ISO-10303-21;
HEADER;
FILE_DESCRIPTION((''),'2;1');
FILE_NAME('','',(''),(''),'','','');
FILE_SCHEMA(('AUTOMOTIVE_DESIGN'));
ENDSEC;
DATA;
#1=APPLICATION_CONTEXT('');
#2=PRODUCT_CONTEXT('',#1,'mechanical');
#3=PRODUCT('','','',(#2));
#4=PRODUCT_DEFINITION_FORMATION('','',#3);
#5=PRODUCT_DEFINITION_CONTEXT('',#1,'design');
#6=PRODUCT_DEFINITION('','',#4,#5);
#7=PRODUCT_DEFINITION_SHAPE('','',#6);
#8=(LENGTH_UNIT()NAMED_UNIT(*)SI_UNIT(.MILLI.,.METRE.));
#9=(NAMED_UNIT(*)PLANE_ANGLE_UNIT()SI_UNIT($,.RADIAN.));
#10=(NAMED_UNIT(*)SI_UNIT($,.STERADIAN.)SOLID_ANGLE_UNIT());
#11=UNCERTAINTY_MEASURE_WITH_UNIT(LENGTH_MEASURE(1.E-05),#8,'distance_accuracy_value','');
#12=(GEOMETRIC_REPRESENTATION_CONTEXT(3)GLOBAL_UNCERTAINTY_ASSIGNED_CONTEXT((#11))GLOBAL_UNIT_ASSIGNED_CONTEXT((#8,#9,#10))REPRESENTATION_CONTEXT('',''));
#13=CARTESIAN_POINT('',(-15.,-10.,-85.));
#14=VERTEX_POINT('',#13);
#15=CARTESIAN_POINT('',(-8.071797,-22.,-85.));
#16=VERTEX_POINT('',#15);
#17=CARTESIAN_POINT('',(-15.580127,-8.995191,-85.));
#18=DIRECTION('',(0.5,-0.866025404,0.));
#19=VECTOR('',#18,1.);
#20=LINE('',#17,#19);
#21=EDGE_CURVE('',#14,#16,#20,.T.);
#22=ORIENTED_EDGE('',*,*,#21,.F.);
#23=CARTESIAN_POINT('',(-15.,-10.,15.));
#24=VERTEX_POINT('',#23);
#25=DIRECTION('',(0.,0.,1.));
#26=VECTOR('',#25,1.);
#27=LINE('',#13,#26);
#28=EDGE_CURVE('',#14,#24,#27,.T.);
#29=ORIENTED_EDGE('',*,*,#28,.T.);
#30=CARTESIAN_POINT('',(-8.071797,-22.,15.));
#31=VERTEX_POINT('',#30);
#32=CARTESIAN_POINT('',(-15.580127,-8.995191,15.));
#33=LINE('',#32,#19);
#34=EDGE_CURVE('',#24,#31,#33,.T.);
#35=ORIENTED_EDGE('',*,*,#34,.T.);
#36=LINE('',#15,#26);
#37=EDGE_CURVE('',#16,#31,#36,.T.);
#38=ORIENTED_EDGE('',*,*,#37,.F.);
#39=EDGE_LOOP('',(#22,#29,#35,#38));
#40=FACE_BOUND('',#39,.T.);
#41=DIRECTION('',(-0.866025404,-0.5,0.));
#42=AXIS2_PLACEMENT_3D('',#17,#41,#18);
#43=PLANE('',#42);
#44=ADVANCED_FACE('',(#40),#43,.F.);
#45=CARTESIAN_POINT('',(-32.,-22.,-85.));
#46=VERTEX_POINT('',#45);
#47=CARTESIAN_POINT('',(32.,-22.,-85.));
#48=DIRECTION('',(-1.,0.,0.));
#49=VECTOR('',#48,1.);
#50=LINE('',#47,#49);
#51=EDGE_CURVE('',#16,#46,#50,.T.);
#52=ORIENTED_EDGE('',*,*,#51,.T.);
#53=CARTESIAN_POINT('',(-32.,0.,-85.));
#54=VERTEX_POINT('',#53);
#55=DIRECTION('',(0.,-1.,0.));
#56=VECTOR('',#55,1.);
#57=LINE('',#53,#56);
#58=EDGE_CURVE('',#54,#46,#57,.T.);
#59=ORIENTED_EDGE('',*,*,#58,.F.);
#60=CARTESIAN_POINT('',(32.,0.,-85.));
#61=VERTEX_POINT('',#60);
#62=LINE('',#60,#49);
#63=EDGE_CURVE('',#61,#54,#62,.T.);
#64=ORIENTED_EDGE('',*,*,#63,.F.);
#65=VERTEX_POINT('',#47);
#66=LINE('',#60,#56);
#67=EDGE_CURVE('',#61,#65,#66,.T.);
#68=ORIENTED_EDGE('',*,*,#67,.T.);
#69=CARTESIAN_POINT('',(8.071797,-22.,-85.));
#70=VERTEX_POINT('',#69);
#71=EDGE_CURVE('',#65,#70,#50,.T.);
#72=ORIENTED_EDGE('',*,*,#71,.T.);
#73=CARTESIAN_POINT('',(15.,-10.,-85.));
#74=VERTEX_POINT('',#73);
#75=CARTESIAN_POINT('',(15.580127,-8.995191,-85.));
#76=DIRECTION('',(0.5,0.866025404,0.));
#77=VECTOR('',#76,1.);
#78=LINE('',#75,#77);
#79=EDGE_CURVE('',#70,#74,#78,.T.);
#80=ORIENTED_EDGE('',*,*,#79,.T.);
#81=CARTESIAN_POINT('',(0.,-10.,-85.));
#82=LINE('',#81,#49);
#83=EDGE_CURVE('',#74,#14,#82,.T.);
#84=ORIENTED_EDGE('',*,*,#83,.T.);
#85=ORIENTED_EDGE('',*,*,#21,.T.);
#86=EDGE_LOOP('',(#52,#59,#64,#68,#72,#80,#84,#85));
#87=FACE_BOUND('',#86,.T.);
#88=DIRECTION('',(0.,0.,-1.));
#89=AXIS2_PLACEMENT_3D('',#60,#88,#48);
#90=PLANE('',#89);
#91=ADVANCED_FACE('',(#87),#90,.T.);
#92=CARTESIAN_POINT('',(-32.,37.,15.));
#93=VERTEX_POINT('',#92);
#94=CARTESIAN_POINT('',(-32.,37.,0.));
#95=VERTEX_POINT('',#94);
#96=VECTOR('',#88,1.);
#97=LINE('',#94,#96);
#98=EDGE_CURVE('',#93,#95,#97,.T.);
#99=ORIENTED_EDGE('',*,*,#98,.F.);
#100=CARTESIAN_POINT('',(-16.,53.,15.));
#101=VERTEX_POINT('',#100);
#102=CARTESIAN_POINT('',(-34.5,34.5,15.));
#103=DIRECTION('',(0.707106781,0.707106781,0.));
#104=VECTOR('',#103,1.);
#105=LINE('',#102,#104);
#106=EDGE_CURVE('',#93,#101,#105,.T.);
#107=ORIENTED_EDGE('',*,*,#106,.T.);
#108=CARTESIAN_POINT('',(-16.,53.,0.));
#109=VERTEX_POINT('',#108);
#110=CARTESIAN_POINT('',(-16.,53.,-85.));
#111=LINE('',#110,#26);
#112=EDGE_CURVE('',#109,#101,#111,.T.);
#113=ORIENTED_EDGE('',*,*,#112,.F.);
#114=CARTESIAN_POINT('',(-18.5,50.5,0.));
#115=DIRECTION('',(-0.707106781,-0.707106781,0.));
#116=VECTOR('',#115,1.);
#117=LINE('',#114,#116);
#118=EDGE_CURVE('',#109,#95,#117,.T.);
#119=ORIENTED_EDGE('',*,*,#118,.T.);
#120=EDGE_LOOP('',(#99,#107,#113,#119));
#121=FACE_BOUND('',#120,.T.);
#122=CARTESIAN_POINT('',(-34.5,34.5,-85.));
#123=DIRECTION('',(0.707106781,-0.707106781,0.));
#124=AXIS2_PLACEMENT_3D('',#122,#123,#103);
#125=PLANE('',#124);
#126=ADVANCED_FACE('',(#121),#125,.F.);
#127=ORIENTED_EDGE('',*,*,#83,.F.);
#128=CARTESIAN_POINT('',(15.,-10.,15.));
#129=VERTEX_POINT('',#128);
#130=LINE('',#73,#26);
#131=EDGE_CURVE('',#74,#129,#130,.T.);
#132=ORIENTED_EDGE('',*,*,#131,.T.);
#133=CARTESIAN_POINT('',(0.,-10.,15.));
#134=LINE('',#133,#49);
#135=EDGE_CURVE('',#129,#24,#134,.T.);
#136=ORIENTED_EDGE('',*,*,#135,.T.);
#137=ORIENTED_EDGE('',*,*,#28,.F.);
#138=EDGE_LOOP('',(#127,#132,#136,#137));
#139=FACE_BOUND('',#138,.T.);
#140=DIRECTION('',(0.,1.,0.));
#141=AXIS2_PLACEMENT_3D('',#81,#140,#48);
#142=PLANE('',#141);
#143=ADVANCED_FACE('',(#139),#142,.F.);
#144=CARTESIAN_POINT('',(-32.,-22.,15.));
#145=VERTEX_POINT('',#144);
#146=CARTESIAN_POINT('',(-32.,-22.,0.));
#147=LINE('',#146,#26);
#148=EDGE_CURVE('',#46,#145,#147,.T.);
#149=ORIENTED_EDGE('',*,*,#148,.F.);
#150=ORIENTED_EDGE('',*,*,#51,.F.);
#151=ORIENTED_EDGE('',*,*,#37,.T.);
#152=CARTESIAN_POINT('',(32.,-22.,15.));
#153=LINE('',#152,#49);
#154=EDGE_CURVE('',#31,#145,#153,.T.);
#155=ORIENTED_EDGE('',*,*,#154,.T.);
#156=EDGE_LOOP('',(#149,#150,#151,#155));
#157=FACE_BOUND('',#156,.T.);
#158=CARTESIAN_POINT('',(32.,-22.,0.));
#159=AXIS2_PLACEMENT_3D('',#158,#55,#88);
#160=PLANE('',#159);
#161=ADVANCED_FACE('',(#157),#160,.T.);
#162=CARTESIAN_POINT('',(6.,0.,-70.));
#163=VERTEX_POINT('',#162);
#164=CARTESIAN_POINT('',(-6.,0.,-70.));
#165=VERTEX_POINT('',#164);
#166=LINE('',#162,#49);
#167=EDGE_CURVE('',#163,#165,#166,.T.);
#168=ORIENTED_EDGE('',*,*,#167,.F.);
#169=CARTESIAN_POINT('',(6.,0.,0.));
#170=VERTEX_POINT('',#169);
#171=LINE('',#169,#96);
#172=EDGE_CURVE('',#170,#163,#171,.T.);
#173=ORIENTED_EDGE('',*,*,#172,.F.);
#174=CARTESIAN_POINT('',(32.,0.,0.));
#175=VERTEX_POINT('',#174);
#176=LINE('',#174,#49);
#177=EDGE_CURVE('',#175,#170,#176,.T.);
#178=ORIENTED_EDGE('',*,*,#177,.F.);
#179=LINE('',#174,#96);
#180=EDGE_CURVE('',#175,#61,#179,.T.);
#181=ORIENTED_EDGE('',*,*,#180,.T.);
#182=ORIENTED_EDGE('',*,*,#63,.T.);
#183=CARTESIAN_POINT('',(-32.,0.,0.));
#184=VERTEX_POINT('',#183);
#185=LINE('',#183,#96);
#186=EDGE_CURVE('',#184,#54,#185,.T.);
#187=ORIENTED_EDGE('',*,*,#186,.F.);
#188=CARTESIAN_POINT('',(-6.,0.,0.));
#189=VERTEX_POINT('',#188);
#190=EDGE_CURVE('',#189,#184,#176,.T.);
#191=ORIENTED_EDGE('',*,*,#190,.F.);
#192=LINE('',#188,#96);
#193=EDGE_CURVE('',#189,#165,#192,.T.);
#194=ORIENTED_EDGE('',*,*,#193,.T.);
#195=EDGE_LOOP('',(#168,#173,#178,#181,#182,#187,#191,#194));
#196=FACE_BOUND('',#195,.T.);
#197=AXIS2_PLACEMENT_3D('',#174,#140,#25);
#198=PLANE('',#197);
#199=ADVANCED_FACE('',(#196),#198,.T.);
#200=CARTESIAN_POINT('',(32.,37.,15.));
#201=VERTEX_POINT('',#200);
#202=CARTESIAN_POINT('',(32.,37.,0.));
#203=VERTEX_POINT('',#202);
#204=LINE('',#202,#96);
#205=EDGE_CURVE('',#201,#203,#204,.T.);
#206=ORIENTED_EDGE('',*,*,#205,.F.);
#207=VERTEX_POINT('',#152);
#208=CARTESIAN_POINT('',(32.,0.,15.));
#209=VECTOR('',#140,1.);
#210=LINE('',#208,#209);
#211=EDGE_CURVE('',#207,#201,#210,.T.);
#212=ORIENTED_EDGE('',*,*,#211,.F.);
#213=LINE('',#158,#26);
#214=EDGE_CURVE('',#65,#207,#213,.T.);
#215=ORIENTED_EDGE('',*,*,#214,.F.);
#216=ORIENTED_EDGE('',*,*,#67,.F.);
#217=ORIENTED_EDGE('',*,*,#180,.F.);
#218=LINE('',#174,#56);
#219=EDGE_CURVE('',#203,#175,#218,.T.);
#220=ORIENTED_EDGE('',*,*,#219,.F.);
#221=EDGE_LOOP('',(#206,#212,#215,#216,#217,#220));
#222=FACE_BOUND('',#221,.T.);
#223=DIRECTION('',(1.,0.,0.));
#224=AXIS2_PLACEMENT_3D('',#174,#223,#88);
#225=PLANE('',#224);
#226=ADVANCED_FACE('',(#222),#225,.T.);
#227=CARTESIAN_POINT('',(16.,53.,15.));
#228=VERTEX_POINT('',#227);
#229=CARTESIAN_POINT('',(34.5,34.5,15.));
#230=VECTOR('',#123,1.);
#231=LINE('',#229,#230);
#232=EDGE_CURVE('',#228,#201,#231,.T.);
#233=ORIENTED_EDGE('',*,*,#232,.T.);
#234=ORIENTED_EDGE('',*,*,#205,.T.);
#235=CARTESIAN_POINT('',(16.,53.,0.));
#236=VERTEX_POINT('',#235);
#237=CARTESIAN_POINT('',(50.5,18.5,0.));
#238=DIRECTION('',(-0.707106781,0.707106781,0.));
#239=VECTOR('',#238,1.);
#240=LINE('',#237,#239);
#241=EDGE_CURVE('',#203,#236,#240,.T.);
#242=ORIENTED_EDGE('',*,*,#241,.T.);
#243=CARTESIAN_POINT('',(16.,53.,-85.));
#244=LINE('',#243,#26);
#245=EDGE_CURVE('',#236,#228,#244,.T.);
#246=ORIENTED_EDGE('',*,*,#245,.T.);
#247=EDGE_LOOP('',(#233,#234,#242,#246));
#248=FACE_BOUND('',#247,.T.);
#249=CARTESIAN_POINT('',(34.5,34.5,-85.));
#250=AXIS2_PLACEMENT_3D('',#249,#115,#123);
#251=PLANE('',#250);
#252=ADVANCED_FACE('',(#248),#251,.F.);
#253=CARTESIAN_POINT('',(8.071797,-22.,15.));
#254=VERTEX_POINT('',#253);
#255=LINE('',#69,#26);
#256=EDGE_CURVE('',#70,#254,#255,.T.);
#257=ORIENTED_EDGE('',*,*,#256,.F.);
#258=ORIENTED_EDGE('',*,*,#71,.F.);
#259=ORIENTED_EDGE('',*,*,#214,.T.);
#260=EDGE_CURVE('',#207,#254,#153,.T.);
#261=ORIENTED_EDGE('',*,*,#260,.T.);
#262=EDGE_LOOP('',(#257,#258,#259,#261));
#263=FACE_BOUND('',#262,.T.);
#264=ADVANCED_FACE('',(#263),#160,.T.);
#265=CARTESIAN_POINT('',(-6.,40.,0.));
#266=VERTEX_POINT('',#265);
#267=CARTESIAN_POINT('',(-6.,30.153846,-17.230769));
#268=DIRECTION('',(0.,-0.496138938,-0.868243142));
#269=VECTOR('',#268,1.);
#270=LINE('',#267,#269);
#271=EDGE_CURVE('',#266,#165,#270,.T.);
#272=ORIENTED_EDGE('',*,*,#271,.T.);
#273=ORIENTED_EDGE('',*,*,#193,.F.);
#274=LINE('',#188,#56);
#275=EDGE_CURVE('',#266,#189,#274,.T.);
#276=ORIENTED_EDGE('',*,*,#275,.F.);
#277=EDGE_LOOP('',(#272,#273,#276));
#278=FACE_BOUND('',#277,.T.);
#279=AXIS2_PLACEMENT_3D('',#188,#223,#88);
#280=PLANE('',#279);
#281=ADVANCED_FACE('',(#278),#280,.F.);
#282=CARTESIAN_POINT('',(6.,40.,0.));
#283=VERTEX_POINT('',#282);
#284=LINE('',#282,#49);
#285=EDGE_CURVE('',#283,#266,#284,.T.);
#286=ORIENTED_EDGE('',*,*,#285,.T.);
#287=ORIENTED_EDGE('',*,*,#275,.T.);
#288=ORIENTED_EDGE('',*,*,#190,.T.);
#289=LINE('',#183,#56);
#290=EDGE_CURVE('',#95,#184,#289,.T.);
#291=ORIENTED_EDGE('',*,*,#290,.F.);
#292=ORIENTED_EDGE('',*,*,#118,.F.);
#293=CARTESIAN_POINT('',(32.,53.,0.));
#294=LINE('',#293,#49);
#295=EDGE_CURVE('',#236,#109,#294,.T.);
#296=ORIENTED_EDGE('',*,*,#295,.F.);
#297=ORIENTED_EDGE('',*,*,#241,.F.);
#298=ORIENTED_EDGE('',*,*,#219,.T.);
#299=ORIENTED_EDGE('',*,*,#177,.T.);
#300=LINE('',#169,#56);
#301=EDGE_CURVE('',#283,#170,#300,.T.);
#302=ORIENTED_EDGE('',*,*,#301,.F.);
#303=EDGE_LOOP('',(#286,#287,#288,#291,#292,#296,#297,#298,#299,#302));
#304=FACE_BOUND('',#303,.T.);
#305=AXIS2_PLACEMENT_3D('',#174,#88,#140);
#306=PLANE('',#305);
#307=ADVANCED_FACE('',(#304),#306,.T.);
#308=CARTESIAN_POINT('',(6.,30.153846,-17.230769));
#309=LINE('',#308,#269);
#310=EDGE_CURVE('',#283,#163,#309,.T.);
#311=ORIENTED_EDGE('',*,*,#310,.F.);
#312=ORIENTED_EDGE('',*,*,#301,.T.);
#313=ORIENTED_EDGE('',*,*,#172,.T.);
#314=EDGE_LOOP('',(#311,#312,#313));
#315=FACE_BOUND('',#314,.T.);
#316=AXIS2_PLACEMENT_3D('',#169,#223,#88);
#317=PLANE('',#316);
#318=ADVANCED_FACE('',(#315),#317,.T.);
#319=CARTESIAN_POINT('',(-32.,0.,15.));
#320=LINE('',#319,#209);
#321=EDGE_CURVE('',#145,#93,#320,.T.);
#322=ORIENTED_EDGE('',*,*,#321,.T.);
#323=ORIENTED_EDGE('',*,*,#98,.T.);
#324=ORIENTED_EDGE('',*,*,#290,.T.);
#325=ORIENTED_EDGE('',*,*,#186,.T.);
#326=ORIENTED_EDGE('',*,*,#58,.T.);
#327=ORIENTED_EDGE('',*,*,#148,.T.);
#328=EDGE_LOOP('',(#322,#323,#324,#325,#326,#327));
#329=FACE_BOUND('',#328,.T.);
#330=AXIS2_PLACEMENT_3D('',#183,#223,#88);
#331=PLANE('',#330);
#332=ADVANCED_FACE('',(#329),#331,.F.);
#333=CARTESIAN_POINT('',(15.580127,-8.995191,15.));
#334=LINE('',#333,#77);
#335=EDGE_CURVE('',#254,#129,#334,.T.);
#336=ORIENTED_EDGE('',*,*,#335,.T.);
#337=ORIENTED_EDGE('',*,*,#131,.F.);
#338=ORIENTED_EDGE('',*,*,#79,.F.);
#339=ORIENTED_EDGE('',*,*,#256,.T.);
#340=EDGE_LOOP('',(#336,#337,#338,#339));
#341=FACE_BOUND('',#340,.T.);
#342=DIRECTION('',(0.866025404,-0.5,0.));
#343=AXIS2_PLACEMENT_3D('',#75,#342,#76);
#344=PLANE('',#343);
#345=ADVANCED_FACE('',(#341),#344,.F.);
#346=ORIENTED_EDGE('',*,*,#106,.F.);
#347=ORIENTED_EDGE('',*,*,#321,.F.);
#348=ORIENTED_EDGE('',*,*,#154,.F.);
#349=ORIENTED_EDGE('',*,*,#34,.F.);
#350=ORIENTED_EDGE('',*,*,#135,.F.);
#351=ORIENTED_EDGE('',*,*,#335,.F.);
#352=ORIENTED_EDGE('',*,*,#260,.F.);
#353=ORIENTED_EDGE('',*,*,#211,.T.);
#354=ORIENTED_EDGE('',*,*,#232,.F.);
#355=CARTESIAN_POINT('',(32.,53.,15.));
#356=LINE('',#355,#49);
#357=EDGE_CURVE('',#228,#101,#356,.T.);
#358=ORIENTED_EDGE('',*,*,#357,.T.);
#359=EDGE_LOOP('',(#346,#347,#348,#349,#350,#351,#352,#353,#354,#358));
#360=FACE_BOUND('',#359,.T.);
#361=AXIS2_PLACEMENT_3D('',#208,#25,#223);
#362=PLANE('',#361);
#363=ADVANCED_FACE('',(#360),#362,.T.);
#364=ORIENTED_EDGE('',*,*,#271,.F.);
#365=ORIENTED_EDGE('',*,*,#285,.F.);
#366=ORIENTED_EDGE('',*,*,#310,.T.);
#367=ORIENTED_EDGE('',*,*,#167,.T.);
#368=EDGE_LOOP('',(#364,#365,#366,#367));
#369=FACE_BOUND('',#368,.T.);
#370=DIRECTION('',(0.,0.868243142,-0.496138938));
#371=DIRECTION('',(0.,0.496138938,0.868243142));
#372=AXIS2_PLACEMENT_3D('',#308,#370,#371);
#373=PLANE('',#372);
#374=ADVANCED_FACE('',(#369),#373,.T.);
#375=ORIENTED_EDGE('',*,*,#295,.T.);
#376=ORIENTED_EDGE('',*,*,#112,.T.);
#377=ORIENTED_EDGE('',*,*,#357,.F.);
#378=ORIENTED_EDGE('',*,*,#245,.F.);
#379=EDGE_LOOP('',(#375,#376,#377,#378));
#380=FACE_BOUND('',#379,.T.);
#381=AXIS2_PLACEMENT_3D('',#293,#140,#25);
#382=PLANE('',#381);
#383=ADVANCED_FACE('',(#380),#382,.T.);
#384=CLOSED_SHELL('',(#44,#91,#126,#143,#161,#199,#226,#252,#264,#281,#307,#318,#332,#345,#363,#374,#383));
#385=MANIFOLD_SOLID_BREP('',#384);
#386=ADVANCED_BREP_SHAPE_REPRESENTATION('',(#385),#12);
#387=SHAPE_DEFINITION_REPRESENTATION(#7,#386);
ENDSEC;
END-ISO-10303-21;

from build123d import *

# Parameters (mm, degrees)
BOSS_EXTRUDE3_DEPTH     = 32
BOSS_EXTRUDE4_DEPTH     = 6
CUT_EXTRUDE1_DEPTH      = 106.157025443
CUT_EXTRUDE1_DEPTH_BACK = 106.157025443
CUT_EXTRUDE2_DEPTH      = 106.157025443
CUT_EXTRUDE2_DEPTH_BACK = 106.157025443


with BuildPart() as part:
    # Sketch2 → Boss-Extrude3 (new, symmetric)
    with BuildSketch(Plane(origin=(0, 0, 0), x_dir=(0, 0, -1), z_dir=(1, 0, 0))):
        Polygon((70, 0), (0, 0), (0, 40), (0, 53), (-15, 53), (-15, -22), (85, -22), (85, 0), align=None)
    extrude(amount=BOSS_EXTRUDE3_DEPTH, both=True)

    # Sketch2<5> → Boss-Extrude4 (add, symmetric)
    with BuildSketch(Plane(origin=(0, 0, 0), x_dir=(0, 0, -1), z_dir=(1, 0, 0))):
        Polygon((0, 40), (0, 0), (70, 0), align=None)
    extrude(amount=BOSS_EXTRUDE4_DEPTH, both=True)

    # Sketch5 → Cut-Extrude1 (cut, two sides: drawn at the far end of the back side and taken through both)
    with BuildSketch(Plane.XY.offset(-CUT_EXTRUDE1_DEPTH_BACK)):
        Polygon((-8.07179677, -22), (8.07179677, -22), (15, -10), (-15, -10), align=None)
    extrude(amount=CUT_EXTRUDE1_DEPTH + CUT_EXTRUDE1_DEPTH_BACK, mode=Mode.SUBTRACT)

    # Sketch5<3> → Cut-Extrude2 (cut, two sides: drawn at the far end of the back side and taken through both)
    with BuildSketch(Plane.XY.offset(-CUT_EXTRUDE2_DEPTH_BACK)):
        Polygon((32, 53), (16, 53), (32, 37), align=None)
        Polygon((-16, 53), (-32, 53), (-32, 37), align=None)
    extrude(amount=CUT_EXTRUDE2_DEPTH + CUT_EXTRUDE2_DEPTH_BACK, mode=Mode.SUBTRACT)


solid = part.part
